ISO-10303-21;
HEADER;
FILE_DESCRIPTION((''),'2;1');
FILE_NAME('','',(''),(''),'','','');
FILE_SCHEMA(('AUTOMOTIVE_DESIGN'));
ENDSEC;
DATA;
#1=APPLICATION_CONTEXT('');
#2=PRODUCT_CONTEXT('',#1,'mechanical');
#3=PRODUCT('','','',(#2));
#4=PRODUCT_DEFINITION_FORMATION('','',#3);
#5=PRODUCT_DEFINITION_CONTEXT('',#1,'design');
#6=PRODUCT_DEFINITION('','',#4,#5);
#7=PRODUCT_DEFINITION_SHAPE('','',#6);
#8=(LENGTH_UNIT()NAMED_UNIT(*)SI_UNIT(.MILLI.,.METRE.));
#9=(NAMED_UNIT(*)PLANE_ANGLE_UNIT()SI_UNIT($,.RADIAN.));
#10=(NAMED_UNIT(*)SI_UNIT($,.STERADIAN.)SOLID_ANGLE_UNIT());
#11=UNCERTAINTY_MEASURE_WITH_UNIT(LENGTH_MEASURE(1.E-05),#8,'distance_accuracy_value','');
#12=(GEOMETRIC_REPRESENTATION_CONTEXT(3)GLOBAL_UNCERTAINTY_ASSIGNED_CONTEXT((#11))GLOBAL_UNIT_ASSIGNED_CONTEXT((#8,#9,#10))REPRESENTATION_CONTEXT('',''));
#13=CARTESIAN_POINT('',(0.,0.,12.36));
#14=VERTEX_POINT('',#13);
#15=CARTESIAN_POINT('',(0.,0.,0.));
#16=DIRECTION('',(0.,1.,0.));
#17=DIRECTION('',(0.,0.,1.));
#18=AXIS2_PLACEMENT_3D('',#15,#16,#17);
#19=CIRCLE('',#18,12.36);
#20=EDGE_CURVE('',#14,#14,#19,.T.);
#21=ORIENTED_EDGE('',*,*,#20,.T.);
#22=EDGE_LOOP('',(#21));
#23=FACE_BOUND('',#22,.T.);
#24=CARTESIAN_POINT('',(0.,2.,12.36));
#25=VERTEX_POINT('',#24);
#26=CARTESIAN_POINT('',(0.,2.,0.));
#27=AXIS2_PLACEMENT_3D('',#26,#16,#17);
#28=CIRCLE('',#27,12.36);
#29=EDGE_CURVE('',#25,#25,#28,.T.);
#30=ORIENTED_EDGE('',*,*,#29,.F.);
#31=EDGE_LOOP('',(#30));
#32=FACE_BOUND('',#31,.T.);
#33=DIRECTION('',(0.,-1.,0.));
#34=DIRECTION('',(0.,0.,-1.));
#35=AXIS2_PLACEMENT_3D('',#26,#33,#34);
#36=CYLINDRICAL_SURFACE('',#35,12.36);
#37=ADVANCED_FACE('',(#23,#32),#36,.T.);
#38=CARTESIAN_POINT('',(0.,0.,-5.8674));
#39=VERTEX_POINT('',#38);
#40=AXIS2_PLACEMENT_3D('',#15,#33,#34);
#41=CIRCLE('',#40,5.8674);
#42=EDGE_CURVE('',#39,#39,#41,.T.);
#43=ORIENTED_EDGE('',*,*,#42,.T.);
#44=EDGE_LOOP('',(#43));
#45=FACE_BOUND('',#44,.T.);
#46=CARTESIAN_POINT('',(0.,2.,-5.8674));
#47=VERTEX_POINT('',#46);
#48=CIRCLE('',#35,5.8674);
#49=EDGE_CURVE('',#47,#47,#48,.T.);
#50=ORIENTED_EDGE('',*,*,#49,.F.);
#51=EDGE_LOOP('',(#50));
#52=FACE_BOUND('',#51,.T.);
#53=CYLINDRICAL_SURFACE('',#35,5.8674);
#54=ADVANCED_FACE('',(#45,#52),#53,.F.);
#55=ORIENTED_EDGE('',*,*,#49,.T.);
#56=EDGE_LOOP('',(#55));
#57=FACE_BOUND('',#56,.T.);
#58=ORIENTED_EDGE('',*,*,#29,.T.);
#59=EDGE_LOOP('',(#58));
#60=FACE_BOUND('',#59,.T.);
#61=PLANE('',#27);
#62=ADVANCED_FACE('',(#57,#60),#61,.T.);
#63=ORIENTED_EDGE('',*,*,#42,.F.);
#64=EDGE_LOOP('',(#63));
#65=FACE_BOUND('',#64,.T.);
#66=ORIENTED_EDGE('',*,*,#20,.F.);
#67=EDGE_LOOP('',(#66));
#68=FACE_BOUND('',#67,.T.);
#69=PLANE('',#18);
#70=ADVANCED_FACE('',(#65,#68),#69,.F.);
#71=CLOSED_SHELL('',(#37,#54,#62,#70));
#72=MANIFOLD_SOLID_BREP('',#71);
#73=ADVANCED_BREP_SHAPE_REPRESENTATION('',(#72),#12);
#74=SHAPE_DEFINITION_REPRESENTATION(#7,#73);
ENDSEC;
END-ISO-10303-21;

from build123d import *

# Parameters (mm, degrees)
SKETCH1_R           = 12.36
BOSS_EXTRUDE1_DEPTH = 2
SKETCH2_R           = 5.8674
CUT_EXTRUDE1_DEPTH  = 18.593726155


with BuildPart() as part:
    # Sketch1 → Boss-Extrude1 (new body)
    with BuildSketch(Plane(origin=(0, 0, 0), x_dir=(1, 0, 0), z_dir=(0, 1, 0))):
        with Locations(Location((0, 0, 0), (0, 0, 270))):
            Circle(SKETCH1_R)
    extrude(amount=BOSS_EXTRUDE1_DEPTH)

    # Sketch2 → Cut-Extrude1 (cut, through all)
    with BuildSketch(Plane(origin=(0, 0, 0), x_dir=(-1, 0, 0), z_dir=(0, -1, 0))):
        with Locations(Location((0, 0, 0), (0, 0, 90))):
            Circle(SKETCH2_R)
    extrude(amount=-CUT_EXTRUDE1_DEPTH, mode=Mode.SUBTRACT)


solid = part.part
